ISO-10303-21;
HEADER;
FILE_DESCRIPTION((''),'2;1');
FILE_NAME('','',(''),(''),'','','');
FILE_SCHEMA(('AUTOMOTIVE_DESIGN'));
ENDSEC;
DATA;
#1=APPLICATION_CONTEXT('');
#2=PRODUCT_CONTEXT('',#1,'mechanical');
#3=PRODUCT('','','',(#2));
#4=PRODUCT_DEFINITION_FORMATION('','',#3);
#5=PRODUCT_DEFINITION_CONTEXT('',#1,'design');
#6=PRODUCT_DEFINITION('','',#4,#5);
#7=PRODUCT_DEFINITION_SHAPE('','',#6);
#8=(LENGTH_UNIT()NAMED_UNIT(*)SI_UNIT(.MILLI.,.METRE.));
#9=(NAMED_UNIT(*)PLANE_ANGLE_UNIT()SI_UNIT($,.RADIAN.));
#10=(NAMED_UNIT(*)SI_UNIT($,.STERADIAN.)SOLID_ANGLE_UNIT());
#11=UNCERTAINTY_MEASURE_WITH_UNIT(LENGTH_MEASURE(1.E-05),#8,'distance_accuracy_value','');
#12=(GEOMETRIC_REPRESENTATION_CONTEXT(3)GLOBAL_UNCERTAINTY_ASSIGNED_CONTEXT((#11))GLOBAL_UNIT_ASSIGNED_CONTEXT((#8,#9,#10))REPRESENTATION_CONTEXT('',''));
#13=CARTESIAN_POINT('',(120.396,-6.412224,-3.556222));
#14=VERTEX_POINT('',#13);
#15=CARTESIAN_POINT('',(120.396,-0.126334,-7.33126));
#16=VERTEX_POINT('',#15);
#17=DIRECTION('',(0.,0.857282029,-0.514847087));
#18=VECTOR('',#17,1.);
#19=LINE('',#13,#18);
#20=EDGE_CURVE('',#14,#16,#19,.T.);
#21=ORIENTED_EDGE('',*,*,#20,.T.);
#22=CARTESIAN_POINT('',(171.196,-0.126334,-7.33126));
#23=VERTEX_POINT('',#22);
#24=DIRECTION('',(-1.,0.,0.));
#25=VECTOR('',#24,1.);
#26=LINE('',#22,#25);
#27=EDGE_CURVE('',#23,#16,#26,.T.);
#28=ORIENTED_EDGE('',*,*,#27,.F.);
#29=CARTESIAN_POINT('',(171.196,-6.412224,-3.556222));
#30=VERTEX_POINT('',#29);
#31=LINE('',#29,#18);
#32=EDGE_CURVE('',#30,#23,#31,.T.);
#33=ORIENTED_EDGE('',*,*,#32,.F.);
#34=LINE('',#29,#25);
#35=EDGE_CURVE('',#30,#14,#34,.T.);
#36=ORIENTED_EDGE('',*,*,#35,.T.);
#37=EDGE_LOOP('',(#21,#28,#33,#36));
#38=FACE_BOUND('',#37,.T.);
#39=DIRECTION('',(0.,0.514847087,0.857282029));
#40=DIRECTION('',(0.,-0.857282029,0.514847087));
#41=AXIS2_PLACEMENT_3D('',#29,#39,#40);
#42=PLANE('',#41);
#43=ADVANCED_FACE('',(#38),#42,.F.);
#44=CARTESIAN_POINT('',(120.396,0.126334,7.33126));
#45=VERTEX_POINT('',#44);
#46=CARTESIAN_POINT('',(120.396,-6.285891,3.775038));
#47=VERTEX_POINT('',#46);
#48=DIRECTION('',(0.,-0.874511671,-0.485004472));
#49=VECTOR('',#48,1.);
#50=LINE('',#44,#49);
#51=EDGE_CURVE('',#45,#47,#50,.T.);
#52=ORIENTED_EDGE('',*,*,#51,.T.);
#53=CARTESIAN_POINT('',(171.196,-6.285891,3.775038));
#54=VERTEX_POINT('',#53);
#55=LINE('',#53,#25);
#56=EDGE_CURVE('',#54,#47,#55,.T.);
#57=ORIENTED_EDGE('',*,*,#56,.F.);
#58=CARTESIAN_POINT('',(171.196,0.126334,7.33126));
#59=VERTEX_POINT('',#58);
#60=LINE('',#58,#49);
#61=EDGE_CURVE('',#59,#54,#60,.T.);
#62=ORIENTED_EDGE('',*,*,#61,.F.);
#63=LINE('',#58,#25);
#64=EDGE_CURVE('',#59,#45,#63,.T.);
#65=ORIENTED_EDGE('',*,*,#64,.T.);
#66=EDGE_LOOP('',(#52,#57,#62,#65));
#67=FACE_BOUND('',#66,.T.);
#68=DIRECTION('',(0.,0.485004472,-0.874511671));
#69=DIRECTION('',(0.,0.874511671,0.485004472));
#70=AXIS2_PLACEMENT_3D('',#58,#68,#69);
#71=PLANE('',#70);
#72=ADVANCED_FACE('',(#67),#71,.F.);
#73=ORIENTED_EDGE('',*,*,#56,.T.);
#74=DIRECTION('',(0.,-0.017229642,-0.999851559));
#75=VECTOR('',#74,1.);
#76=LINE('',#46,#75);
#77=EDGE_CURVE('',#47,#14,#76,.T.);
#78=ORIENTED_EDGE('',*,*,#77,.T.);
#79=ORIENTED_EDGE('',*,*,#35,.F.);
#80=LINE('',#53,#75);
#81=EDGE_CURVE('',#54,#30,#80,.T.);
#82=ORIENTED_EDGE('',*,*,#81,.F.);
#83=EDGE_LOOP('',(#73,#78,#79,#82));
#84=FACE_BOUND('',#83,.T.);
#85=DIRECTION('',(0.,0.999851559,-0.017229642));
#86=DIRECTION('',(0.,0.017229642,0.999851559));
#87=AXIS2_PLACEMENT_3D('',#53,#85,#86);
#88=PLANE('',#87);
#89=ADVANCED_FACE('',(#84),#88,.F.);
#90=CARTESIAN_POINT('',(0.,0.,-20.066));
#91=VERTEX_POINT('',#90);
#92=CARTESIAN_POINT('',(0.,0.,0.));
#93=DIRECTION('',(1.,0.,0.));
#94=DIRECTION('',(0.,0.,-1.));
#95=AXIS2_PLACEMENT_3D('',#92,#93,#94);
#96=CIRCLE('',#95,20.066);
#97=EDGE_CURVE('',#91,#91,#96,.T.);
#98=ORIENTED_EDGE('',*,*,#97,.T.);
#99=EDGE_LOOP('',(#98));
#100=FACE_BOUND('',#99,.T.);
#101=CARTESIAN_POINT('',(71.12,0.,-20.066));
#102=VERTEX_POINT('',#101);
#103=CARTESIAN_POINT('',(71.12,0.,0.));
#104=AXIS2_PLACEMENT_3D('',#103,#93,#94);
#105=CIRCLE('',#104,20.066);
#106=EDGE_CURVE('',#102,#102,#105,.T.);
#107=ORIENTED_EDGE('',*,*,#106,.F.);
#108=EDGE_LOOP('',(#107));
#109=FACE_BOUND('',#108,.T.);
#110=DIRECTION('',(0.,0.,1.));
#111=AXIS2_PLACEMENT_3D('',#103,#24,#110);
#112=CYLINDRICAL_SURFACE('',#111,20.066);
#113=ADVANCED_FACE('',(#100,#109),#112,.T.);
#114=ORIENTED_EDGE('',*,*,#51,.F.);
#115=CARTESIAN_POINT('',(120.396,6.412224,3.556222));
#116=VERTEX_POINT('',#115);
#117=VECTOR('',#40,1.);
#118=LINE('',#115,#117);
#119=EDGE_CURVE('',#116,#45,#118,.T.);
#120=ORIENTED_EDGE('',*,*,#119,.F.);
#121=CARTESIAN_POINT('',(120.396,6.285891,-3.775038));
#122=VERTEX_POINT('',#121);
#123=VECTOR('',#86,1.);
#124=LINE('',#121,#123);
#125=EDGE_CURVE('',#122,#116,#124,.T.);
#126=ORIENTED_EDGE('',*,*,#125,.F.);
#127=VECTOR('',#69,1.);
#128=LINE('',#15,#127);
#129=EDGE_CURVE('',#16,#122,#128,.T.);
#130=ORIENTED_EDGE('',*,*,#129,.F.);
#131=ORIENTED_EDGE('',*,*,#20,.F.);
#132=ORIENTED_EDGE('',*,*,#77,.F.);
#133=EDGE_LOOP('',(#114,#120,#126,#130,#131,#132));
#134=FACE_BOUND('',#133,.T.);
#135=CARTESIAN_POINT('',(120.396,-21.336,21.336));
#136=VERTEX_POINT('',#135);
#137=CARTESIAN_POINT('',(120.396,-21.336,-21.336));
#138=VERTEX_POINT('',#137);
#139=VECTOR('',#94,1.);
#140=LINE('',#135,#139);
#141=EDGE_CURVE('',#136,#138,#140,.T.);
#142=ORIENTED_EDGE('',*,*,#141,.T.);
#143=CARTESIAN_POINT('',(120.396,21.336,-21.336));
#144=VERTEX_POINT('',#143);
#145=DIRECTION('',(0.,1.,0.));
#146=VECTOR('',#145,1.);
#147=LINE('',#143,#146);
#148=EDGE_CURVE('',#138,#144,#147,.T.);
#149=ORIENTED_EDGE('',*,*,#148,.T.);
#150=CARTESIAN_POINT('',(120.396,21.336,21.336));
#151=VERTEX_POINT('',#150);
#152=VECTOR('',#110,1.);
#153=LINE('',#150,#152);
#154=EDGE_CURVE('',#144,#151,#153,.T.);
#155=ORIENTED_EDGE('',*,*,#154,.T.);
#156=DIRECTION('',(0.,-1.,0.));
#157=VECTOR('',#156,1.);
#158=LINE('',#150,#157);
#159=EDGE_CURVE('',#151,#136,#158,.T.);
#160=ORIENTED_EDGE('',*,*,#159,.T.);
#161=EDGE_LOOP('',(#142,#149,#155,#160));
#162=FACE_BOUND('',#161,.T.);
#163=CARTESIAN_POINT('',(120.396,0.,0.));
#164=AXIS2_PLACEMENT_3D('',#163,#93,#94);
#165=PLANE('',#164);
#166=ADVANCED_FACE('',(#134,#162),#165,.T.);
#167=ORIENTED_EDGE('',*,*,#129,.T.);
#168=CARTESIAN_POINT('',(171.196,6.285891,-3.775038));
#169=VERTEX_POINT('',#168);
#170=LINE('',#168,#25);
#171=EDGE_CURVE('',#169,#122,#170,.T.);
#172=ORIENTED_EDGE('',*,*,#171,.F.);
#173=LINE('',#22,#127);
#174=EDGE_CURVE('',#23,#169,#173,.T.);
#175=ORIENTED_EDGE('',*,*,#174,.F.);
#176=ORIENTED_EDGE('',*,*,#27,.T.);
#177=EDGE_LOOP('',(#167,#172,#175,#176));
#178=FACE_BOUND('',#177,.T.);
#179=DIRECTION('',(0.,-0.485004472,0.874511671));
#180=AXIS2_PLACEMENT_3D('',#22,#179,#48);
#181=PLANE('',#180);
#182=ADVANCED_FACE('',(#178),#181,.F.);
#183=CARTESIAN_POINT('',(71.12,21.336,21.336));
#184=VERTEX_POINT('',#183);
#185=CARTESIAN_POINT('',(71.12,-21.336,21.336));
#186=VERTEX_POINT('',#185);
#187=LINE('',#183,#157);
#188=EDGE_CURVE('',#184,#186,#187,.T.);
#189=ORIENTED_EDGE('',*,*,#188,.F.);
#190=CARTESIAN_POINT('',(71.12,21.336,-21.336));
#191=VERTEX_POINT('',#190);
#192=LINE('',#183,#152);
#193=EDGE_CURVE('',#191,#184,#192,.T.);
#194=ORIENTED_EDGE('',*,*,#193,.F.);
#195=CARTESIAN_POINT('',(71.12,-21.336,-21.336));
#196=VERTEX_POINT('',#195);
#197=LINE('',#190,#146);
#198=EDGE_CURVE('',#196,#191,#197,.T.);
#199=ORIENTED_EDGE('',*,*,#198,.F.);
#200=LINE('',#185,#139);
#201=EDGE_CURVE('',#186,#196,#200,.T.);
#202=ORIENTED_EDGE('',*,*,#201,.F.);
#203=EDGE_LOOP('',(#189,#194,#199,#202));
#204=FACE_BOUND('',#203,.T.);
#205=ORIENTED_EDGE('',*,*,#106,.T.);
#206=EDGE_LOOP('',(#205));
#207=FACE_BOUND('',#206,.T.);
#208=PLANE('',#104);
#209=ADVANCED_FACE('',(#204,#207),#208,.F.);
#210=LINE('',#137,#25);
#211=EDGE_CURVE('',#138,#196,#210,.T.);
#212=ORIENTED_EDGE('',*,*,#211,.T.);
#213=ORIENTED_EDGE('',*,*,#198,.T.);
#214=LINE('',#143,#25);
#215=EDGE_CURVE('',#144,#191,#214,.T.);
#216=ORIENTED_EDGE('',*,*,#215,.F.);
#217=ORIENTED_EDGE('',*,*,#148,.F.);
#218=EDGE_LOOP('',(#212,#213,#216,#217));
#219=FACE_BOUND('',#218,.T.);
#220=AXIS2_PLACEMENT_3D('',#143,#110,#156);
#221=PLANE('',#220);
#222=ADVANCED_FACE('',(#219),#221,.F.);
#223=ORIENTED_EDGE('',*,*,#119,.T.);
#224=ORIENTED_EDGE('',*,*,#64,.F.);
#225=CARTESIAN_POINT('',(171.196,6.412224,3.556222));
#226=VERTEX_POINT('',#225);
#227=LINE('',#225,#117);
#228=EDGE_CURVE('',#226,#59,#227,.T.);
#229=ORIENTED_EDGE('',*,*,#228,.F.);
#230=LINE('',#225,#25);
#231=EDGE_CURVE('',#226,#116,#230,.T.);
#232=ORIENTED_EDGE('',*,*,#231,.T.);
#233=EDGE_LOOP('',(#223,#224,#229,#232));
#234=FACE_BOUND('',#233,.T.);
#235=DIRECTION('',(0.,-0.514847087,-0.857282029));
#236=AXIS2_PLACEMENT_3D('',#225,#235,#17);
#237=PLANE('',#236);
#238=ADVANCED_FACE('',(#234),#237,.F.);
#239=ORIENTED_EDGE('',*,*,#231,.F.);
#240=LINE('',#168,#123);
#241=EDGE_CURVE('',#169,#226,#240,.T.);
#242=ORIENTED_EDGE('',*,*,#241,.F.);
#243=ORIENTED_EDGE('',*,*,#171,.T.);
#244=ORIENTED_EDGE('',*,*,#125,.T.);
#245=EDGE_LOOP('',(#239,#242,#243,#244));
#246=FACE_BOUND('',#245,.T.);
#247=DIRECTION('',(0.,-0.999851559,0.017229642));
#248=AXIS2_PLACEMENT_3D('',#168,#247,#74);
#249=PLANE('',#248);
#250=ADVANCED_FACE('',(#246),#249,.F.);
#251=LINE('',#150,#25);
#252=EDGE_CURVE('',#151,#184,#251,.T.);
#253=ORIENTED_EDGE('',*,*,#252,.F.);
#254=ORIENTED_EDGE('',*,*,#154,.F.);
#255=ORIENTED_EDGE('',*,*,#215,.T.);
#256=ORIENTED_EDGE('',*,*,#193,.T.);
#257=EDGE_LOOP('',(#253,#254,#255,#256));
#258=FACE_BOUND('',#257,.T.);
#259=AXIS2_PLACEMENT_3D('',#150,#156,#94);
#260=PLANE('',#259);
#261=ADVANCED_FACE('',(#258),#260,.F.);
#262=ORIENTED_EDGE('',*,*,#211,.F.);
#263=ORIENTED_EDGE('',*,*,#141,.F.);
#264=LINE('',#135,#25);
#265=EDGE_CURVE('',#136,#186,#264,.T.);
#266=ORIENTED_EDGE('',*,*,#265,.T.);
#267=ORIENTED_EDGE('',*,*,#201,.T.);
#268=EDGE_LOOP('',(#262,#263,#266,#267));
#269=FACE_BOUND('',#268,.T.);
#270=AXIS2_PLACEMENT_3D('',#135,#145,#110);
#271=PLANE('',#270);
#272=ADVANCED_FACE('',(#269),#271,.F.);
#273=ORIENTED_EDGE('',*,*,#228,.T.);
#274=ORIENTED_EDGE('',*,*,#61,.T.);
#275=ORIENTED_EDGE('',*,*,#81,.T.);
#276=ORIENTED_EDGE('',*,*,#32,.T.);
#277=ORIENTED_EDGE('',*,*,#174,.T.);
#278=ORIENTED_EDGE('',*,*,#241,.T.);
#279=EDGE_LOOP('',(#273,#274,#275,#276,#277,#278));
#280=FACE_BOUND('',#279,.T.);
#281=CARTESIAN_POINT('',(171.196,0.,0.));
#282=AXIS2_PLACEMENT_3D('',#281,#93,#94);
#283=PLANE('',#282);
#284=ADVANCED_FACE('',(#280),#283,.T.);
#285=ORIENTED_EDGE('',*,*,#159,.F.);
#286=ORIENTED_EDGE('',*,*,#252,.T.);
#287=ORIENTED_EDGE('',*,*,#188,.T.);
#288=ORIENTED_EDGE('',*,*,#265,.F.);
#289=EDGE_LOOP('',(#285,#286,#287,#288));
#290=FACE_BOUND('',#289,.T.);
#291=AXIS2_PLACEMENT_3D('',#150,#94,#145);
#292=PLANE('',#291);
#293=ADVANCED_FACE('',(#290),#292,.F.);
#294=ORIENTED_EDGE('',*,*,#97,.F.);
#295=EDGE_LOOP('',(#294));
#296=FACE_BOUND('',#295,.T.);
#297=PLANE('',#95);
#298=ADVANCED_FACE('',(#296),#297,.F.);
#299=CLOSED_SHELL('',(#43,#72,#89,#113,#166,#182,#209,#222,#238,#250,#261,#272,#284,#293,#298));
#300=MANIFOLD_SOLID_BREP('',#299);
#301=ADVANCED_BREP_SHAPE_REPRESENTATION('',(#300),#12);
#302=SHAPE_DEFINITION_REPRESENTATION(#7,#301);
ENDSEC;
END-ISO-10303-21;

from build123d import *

# Parameters (mm, degrees)
SKETCH1_R           = 20.066
BOSS_EXTRUDE1_DEPTH = 71.12
SKETCH2_W           = 42.672
SKETCH2_H           = 42.672
BOSS_EXTRUDE2_DEPTH = 49.276
BOSS_EXTRUDE3_DEPTH = 50.8


with BuildPart() as part:
    # Sketch1 → Boss-Extrude1 (new body)
    with BuildSketch(Plane(origin=(0, 0, 0), x_dir=(0, 0, -1), z_dir=(1, 0, 0))):
        Circle(SKETCH1_R)
    extrude(amount=BOSS_EXTRUDE1_DEPTH)

    # Sketch2 → Boss-Extrude2 (add)
    with BuildSketch(Plane(origin=(71.12, 0, 0), x_dir=(0, 0, -1), z_dir=(1, 0, 0))):
        Rectangle(SKETCH2_W, SKETCH2_H)
    extrude(amount=BOSS_EXTRUDE2_DEPTH)

    # Sketch3 → Boss-Extrude3 (add)
    with BuildSketch(Plane(origin=(120.396, 0, 0), x_dir=(0, 0, -1), z_dir=(1, 0, 0))):
        Polygon((3.556221774, -6.412224265), (7.331259995, -0.126333735), (3.775038222, 6.28589053), (-3.556221774, 6.412224265), (-7.331259995, 0.126333735), (-3.775038222, -6.28589053), align=None)
    extrude(amount=BOSS_EXTRUDE3_DEPTH)


solid = part.part
